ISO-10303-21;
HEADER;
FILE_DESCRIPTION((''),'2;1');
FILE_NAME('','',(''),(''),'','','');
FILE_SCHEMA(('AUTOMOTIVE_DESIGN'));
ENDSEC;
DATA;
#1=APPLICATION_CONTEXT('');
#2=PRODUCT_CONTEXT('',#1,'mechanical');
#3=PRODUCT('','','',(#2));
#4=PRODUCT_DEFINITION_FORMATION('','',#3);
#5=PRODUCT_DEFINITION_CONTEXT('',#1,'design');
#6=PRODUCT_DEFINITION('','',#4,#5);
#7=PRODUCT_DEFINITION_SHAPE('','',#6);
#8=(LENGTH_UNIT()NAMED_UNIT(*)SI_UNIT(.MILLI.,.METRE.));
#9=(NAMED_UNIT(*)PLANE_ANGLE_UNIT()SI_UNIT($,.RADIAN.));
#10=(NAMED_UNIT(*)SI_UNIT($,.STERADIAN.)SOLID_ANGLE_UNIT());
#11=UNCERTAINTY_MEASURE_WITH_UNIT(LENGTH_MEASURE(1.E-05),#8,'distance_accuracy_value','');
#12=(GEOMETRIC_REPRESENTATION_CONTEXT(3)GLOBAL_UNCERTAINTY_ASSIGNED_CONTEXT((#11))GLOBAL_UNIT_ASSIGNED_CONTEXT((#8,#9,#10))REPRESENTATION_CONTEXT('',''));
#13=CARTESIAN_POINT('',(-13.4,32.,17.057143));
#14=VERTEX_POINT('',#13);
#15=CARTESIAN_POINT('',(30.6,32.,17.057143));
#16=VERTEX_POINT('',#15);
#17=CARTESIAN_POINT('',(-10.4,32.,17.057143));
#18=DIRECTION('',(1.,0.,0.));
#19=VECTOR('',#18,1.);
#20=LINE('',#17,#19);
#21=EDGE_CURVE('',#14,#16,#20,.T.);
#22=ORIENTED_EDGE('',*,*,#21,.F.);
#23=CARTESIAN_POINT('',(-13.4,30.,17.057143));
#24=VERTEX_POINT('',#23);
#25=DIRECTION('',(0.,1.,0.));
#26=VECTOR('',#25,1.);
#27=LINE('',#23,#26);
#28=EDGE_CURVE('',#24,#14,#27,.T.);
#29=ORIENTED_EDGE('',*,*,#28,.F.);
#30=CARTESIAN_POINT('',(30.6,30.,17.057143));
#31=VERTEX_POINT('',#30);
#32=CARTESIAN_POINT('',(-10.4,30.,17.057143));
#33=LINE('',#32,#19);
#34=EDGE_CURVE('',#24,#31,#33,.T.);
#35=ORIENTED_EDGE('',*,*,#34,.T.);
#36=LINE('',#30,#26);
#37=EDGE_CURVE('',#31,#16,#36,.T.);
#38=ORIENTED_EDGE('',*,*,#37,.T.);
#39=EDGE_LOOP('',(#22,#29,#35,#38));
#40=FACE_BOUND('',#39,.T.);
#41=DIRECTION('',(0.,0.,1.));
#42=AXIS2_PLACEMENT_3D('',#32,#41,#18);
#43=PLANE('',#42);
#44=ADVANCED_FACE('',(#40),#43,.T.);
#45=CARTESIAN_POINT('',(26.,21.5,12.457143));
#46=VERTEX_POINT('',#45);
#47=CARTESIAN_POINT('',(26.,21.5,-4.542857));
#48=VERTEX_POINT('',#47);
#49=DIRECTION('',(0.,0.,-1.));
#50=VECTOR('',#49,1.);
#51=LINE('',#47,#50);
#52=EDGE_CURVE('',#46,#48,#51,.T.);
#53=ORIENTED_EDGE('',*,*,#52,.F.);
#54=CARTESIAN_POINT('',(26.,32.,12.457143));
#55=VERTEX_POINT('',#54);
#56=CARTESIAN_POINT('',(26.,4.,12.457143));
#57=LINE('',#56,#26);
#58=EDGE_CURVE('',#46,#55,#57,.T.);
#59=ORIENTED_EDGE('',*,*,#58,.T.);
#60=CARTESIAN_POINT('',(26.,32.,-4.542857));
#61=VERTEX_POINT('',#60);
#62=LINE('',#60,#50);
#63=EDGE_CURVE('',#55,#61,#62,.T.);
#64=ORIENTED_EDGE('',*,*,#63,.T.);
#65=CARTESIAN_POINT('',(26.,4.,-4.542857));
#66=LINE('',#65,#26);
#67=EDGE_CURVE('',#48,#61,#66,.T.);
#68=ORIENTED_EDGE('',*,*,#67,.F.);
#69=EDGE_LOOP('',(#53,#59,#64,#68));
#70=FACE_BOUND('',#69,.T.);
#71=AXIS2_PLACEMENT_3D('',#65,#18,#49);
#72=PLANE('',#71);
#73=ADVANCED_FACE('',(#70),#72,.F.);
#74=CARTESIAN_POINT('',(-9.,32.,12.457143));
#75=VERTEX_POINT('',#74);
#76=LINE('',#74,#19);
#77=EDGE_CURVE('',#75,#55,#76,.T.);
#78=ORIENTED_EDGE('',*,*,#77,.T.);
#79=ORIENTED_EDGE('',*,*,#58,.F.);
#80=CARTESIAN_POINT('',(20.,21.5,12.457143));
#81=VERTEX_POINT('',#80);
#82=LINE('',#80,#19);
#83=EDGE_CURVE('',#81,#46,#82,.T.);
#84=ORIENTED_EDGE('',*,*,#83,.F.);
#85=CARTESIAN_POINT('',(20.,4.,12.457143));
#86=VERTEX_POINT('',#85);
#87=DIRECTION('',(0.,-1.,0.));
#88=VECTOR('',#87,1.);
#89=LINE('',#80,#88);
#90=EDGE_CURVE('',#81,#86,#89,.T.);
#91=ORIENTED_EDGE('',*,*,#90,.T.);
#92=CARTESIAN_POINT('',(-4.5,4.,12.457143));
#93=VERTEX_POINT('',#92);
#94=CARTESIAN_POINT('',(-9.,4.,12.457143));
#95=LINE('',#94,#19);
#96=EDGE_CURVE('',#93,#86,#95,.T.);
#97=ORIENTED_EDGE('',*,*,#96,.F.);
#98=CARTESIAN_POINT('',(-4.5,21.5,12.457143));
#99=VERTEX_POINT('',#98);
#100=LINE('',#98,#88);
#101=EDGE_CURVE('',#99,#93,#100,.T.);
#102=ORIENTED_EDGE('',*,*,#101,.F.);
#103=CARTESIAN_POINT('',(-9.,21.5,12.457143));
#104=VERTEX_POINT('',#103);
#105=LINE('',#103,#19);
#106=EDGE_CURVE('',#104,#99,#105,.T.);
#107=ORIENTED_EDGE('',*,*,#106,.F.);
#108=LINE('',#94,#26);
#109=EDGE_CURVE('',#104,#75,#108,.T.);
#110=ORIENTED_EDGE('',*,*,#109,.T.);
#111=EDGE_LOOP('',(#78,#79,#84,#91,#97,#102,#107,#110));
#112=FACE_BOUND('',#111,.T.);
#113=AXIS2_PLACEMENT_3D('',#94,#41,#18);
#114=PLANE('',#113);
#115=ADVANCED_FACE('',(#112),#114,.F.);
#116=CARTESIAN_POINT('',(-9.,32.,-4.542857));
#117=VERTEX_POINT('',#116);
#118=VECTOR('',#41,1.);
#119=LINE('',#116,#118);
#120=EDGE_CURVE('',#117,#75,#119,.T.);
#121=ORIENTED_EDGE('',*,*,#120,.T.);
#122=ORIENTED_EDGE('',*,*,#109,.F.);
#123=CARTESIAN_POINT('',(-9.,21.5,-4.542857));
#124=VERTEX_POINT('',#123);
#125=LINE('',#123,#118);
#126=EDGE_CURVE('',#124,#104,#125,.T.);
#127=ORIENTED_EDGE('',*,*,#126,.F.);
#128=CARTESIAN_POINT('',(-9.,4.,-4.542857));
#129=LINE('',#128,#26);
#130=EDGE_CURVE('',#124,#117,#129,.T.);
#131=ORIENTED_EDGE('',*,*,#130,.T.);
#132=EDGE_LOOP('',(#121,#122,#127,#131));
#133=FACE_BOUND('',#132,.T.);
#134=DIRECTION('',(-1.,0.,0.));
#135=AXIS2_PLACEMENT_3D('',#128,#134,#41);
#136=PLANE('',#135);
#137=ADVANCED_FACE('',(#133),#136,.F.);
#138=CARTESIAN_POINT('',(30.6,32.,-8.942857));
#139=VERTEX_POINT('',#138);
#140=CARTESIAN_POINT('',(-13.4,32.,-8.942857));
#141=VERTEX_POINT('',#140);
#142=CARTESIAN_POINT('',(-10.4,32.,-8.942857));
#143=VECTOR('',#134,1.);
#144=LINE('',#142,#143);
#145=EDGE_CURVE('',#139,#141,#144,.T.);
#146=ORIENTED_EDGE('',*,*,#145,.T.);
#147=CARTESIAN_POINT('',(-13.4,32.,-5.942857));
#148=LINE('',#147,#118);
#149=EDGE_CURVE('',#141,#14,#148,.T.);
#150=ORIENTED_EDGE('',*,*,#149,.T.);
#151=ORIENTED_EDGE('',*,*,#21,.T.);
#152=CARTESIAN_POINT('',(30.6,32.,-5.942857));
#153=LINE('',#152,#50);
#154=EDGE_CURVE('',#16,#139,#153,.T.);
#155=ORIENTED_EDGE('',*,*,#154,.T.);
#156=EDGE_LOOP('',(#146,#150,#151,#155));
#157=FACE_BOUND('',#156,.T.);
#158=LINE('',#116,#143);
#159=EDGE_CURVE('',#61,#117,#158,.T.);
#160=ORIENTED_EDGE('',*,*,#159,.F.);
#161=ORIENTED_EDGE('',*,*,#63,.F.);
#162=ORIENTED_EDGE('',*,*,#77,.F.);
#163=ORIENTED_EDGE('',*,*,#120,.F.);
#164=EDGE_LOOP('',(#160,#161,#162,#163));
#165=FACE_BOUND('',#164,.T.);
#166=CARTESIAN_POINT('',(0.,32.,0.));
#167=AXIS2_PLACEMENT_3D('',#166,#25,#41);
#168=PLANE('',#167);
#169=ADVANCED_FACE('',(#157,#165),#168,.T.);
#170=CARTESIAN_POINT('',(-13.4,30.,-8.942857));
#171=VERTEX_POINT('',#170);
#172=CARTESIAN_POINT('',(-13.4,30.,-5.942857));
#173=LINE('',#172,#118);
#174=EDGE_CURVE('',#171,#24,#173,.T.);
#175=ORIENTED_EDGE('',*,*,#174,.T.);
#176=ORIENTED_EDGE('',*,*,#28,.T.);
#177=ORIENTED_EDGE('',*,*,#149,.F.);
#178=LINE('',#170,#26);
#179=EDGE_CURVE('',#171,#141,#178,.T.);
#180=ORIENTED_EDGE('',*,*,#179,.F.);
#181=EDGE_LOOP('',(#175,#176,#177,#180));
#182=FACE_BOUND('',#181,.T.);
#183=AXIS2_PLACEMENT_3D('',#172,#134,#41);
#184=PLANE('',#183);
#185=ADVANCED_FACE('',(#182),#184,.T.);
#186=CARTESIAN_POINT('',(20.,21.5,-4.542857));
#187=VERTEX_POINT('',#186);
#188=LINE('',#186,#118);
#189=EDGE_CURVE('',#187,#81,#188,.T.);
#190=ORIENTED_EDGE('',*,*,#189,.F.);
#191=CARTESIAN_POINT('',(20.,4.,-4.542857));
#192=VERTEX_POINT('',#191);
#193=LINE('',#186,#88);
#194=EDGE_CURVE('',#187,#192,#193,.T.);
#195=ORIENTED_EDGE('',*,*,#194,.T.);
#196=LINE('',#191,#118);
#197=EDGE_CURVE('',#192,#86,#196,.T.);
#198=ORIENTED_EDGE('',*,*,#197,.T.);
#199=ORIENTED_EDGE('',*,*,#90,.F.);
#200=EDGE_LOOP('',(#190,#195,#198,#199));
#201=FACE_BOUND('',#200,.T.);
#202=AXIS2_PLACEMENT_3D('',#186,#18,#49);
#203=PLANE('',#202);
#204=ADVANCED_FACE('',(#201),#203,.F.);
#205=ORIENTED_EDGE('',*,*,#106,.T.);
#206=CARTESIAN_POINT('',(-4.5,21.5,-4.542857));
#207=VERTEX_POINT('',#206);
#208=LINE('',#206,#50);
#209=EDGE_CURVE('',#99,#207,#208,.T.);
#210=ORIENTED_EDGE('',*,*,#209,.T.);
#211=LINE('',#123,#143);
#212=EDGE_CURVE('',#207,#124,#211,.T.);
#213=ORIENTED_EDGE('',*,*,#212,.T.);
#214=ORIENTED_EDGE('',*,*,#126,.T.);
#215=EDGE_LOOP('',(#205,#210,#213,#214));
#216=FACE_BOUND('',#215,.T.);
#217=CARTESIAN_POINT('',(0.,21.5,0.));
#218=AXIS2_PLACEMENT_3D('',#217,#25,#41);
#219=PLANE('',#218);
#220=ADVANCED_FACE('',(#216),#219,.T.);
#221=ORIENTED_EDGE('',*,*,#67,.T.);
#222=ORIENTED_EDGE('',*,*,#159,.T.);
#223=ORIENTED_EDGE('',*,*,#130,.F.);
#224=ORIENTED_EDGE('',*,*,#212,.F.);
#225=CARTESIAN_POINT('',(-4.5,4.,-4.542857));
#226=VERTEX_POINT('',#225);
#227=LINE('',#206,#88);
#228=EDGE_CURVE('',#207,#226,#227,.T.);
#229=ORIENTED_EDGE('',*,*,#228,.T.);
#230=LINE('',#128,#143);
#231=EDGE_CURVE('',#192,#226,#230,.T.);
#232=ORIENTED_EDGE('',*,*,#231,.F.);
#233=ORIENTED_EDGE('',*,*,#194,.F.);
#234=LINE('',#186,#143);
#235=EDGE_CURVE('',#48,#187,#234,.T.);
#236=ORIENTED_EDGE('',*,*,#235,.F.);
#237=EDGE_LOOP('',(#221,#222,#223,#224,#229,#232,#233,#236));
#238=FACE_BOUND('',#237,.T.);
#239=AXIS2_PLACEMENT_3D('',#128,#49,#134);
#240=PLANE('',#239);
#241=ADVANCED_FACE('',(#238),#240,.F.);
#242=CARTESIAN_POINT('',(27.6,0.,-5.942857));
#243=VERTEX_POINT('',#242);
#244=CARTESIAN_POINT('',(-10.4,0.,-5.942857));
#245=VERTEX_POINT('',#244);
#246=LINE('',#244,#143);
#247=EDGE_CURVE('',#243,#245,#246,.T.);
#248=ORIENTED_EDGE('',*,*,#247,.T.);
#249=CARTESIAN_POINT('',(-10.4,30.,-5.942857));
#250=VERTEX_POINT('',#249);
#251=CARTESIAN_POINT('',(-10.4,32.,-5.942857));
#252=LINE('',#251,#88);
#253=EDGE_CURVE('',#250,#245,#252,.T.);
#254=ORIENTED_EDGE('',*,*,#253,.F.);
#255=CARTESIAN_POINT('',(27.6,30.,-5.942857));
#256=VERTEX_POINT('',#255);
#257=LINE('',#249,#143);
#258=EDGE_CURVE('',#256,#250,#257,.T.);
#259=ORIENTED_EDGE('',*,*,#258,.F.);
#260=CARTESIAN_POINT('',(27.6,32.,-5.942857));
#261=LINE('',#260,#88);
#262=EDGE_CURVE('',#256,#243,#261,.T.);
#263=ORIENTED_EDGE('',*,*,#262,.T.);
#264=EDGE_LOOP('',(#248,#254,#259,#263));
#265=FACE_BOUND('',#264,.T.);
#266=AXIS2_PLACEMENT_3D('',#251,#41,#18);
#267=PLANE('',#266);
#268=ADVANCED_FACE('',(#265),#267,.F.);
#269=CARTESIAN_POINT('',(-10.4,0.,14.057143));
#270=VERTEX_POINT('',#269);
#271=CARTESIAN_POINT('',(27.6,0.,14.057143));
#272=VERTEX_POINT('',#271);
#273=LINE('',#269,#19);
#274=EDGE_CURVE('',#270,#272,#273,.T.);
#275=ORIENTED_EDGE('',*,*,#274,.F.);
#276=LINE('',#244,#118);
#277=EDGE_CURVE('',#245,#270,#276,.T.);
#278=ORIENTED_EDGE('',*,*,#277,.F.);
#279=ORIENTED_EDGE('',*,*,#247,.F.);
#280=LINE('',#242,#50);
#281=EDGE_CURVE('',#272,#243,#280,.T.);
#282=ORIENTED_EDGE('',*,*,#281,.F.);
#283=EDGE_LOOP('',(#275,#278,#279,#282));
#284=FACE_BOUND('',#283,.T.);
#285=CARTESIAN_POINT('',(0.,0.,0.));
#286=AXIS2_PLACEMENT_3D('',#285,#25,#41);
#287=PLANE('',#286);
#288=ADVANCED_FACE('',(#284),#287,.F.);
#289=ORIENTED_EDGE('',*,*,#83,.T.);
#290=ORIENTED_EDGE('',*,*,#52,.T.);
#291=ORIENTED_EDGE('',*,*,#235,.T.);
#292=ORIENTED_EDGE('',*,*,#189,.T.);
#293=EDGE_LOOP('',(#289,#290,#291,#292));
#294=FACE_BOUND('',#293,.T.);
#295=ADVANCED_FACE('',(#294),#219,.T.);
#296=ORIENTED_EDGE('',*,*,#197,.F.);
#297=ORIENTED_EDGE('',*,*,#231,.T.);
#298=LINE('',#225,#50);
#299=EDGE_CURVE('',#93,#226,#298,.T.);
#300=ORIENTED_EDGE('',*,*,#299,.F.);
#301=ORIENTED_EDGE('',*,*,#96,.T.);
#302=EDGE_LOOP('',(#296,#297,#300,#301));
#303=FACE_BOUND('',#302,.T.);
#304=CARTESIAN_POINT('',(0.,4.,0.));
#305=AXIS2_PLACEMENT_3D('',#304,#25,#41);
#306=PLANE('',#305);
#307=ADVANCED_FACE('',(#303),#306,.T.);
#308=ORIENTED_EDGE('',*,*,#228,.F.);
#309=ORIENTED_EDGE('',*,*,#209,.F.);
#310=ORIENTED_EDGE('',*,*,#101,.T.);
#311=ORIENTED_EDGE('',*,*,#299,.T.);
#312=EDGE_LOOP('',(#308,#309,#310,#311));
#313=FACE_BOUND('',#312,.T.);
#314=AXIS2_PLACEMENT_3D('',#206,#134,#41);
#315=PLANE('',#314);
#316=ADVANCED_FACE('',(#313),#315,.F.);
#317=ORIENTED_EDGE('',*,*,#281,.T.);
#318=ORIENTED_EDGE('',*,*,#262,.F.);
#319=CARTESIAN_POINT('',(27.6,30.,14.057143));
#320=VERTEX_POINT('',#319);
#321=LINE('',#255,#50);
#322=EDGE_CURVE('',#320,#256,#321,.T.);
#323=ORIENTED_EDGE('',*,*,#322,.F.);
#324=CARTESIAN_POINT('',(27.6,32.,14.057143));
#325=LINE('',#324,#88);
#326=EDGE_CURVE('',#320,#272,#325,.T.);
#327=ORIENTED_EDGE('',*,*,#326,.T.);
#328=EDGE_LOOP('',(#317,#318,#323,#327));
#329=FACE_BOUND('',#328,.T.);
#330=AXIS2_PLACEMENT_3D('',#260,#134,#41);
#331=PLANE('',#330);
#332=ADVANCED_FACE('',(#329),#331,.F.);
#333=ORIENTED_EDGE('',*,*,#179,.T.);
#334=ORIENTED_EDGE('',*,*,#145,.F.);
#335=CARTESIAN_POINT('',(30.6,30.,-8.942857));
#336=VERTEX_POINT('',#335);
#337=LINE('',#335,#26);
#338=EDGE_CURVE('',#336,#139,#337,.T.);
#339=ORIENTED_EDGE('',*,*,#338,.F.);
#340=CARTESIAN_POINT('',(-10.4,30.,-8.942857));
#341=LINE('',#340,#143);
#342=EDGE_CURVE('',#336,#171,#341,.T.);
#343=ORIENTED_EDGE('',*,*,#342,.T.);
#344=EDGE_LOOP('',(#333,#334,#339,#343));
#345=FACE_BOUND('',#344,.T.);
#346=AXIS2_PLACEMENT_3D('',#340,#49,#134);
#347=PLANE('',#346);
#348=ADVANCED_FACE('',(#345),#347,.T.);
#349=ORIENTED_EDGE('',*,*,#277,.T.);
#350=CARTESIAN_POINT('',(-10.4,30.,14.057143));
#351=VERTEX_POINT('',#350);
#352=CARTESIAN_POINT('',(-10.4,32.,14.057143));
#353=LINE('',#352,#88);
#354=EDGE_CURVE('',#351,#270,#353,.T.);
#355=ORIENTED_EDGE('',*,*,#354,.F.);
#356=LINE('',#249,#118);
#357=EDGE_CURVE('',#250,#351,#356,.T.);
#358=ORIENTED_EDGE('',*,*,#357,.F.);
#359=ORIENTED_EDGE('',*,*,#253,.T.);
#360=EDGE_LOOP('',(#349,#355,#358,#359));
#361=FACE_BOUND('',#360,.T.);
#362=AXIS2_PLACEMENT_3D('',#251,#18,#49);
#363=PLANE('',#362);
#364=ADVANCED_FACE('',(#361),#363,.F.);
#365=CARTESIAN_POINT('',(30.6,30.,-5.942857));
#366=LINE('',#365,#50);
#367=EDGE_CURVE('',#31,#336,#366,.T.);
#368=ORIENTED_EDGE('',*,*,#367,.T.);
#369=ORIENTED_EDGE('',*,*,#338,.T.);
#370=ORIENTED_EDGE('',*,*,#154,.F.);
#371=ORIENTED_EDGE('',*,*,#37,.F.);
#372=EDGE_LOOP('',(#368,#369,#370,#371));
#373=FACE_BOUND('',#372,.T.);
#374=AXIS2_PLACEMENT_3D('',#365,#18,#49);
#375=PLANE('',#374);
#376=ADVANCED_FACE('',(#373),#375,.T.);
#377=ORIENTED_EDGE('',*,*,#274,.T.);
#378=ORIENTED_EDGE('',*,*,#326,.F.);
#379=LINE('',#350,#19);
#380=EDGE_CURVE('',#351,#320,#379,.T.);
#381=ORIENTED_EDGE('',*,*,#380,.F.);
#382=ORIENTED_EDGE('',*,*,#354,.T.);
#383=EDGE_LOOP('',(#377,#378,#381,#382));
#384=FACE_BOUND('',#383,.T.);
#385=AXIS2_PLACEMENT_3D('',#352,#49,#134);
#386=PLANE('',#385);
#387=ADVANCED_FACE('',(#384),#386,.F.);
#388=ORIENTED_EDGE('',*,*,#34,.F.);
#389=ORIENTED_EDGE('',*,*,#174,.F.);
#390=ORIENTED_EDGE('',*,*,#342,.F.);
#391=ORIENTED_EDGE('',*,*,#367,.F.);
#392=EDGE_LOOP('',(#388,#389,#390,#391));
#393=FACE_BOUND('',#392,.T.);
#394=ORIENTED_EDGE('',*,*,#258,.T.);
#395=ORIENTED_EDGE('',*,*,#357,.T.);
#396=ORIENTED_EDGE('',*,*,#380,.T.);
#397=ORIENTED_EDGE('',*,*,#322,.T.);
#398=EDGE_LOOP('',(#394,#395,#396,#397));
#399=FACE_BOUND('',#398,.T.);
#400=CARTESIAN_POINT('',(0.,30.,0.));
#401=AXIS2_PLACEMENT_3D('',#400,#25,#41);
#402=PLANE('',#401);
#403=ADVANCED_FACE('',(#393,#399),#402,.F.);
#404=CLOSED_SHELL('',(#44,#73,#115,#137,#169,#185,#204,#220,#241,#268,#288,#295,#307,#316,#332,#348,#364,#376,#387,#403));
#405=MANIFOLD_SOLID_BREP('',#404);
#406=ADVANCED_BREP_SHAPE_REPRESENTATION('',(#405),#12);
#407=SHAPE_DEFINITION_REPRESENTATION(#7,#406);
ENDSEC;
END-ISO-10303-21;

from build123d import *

# Parameters (mm, degrees)
SKETCH1_W           = 38
SKETCH1_H           = 20
BOSS_EXTRUDE1_DEPTH = 32
SKETCH2_W           = 35
SKETCH2_H           = 17
CUT_EXTRUDE1_DEPTH  = 28
SKETCH3_W           = 4.5
SKETCH3_H           = 17
SKETCH3_W_2         = 6
BOSS_EXTRUDE2_DEPTH = 17.5
SKETCH4_W           = 44
SKETCH4_H           = 26
SKETCH4_W_2         = 38
SKETCH4_H_2         = 20
EXTRUDE_THIN2_DEPTH = 2


with BuildPart() as part:
    # Sketch1 → Boss-Extrude1 (new body)
    with BuildSketch(Plane(origin=(0, 0, 0), x_dir=(1, 0, 0), z_dir=(0, 1, 0))):
        with Locations((8.6, -4.057142857)):
            Rectangle(SKETCH1_W, SKETCH1_H)
    extrude(amount=BOSS_EXTRUDE1_DEPTH)

    # Sketch2 → Cut-Extrude1 (cut)
    with BuildSketch(Plane(origin=(0, 32, 0), x_dir=(1, 0, 0), z_dir=(0, 1, 0))):
        with Locations((8.5, -3.957142857)):
            Rectangle(SKETCH2_W, SKETCH2_H)
    extrude(amount=-CUT_EXTRUDE1_DEPTH, mode=Mode.SUBTRACT)

    # Sketch3 → Boss-Extrude2 (add)
    with BuildSketch(Plane(origin=(0, 4, 0), x_dir=(1, 0, 0), z_dir=(0, 1, 0))):
        with Locations((-6.75, -3.957142857)):
            Rectangle(SKETCH3_W, SKETCH3_H)
        with Locations((23, -3.957142857)):
            Rectangle(SKETCH3_W_2, SKETCH3_H)
    extrude(amount=BOSS_EXTRUDE2_DEPTH)

    # Sketch4 → Extrude-Thin2 (add)
    with BuildSketch(Plane(origin=(0, 32, 0), x_dir=(1, 0, 0), z_dir=(0, 1, 0))):
        with Locations((8.6, -4.057142857)):
            Rectangle(SKETCH4_W, SKETCH4_H)
        with Locations((8.6, -4.057142857)):
            Rectangle(SKETCH4_W_2, SKETCH4_H_2, mode=Mode.SUBTRACT)
    extrude(amount=-EXTRUDE_THIN2_DEPTH)


solid = part.part
